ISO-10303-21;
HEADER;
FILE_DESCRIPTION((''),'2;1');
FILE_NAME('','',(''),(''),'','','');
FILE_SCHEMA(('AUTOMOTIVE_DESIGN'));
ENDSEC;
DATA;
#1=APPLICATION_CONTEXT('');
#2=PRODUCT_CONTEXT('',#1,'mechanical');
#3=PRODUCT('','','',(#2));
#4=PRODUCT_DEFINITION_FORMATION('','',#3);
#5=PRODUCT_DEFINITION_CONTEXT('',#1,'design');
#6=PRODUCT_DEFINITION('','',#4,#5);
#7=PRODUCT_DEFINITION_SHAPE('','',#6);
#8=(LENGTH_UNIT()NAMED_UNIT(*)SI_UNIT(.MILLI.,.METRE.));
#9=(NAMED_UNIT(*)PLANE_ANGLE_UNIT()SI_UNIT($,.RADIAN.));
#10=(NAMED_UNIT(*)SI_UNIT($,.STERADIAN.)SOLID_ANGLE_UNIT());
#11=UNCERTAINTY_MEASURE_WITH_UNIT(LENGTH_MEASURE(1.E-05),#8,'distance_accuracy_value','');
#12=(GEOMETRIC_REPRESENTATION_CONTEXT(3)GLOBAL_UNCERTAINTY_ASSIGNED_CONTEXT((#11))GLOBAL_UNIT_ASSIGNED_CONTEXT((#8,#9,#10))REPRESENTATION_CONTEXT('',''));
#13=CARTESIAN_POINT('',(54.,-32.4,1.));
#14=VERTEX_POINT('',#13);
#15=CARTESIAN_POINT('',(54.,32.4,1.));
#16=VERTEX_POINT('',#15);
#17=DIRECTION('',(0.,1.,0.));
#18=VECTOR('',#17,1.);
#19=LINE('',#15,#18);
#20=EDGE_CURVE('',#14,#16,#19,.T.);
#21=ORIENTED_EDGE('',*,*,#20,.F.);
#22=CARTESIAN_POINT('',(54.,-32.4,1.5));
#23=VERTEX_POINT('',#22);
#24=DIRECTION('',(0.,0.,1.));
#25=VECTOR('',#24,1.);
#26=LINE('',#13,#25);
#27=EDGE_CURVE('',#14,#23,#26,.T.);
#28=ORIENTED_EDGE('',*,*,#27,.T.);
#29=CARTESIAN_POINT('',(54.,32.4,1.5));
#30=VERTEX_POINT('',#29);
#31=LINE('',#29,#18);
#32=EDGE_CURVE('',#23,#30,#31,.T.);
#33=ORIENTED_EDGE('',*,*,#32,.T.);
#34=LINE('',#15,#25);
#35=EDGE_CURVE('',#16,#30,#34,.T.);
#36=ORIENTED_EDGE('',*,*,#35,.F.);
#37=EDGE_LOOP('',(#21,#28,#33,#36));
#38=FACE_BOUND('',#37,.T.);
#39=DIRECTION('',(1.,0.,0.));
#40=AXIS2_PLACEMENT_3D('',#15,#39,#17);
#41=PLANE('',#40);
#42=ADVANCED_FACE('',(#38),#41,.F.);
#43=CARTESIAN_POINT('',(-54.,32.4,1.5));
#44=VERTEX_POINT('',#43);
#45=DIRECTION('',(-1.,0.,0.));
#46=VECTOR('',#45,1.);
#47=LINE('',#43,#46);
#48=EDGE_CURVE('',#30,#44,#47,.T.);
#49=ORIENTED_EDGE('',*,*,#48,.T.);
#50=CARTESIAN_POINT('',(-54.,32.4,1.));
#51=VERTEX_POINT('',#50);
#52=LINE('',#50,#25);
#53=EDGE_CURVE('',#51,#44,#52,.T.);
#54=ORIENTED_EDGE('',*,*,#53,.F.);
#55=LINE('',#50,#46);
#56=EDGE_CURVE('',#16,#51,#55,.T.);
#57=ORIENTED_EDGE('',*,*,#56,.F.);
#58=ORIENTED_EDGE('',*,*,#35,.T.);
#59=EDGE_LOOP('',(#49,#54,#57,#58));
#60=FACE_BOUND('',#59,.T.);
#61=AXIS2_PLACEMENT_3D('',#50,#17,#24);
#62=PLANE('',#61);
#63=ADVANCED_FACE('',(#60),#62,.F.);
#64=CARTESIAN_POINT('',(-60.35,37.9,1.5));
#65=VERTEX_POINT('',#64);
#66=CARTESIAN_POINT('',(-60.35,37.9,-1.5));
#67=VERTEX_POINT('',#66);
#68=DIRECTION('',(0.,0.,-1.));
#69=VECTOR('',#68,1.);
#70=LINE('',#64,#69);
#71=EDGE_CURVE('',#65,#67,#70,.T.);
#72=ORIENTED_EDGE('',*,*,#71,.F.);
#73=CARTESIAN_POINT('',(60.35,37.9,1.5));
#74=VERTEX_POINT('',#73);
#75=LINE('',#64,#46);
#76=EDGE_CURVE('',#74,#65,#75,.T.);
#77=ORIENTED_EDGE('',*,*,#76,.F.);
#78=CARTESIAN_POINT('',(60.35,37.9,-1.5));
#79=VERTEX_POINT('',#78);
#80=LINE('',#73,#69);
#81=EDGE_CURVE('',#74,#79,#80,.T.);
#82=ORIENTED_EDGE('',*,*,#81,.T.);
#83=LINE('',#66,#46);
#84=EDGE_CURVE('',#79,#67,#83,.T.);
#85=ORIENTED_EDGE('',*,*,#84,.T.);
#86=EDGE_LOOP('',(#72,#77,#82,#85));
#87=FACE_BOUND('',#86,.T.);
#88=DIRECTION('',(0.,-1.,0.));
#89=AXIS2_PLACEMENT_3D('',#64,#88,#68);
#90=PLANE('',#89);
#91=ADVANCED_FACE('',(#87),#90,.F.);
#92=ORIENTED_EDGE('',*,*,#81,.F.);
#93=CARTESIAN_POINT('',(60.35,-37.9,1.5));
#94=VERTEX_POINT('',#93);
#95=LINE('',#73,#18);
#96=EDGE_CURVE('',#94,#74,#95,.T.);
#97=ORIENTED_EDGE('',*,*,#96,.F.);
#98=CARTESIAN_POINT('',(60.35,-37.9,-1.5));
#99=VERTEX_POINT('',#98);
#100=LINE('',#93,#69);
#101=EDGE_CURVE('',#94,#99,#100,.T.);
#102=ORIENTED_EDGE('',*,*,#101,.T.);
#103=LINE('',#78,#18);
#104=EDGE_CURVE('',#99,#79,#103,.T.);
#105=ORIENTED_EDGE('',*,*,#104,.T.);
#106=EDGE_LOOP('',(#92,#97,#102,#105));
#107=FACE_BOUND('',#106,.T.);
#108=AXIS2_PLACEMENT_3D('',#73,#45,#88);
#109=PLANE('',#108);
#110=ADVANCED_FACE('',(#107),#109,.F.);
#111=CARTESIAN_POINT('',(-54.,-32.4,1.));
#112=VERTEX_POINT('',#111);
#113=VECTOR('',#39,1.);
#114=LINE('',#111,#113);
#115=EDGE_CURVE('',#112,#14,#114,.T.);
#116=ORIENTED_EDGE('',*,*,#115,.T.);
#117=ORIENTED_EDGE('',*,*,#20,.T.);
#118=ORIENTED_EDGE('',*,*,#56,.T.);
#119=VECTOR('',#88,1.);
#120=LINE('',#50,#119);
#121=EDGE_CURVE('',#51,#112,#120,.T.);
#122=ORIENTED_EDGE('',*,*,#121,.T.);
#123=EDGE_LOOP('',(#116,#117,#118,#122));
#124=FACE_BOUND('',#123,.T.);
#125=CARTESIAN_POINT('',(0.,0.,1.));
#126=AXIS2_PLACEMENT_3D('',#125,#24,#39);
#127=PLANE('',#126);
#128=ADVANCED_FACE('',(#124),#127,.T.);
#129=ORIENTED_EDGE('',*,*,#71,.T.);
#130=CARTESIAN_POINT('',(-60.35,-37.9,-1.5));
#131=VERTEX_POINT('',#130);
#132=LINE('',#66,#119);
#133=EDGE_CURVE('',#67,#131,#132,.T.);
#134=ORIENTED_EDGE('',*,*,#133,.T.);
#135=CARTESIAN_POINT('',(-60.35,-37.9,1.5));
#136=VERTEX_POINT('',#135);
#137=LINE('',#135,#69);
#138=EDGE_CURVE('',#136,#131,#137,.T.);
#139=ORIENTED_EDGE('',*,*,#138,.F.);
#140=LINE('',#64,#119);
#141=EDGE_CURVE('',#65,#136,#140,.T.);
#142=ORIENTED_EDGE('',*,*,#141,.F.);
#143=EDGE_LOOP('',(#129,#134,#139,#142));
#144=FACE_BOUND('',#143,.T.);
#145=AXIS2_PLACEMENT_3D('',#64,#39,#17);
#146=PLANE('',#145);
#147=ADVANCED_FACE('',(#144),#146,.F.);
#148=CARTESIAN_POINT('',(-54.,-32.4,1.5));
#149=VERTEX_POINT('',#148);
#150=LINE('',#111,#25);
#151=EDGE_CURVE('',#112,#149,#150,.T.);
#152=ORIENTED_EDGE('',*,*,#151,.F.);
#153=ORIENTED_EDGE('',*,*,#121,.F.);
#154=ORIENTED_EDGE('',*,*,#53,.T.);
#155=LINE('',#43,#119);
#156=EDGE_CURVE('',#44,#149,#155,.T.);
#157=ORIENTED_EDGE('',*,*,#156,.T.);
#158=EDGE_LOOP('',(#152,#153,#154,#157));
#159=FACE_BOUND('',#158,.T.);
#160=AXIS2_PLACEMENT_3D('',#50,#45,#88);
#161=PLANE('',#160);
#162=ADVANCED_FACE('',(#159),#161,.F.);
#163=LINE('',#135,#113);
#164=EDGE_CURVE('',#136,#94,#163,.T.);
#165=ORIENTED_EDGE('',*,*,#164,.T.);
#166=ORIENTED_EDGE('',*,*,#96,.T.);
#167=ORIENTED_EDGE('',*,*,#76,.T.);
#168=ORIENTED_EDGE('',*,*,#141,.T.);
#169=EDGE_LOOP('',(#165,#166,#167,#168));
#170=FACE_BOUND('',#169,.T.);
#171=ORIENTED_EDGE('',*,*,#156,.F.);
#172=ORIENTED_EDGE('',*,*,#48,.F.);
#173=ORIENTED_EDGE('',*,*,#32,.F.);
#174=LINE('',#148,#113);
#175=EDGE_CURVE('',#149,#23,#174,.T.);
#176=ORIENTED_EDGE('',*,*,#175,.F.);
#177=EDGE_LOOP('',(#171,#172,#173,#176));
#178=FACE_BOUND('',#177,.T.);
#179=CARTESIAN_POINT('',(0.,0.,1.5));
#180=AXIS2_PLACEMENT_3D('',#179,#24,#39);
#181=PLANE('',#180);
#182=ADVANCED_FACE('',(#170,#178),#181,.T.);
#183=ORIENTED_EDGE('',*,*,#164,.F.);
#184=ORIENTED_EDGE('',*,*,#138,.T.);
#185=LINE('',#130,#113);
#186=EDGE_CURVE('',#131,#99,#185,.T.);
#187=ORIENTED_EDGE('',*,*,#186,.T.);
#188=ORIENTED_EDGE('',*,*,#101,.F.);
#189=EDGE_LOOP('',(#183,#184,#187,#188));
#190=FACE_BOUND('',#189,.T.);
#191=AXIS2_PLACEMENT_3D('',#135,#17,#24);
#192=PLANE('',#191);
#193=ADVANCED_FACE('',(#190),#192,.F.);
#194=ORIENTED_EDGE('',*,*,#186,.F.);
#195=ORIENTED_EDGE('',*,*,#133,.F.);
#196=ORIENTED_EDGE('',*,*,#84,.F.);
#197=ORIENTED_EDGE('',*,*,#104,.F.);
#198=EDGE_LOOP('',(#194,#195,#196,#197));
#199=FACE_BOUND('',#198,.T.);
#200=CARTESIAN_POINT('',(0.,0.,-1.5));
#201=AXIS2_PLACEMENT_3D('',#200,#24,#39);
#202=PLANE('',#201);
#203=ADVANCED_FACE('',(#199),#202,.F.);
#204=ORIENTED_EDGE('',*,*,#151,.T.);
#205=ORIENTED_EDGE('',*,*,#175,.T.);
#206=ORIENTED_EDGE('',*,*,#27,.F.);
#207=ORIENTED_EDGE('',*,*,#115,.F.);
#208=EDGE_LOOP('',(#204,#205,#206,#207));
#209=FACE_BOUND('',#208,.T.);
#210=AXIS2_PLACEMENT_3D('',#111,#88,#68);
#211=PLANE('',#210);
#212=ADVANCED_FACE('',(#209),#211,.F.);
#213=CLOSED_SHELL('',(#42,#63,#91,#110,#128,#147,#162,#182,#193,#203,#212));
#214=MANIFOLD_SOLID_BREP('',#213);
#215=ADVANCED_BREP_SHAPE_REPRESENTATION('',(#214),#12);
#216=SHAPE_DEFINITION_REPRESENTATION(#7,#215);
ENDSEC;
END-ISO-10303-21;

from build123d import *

# Parameters (mm, degrees)
SKETCH1_W           = 120.7
SKETCH1_H           = 75.8
BOSS_EXTRUDE1_DEPTH = 1.5
SKETCH2_W           = 108
SKETCH2_H           = 64.8
CUT_EXTRUDE1_DEPTH  = 0.5


with BuildPart() as part:
    # Sketch1 → Boss-Extrude1 (new, symmetric)
    with BuildSketch(Plane.XY):
        Rectangle(SKETCH1_W, SKETCH1_H)
    extrude(amount=BOSS_EXTRUDE1_DEPTH, both=True)

    # Sketch2 → Cut-Extrude1 (cut)
    with BuildSketch(Plane.XY.offset(1.5)):
        Rectangle(SKETCH2_W, SKETCH2_H)
    extrude(amount=-CUT_EXTRUDE1_DEPTH, mode=Mode.SUBTRACT)


solid = part.part
